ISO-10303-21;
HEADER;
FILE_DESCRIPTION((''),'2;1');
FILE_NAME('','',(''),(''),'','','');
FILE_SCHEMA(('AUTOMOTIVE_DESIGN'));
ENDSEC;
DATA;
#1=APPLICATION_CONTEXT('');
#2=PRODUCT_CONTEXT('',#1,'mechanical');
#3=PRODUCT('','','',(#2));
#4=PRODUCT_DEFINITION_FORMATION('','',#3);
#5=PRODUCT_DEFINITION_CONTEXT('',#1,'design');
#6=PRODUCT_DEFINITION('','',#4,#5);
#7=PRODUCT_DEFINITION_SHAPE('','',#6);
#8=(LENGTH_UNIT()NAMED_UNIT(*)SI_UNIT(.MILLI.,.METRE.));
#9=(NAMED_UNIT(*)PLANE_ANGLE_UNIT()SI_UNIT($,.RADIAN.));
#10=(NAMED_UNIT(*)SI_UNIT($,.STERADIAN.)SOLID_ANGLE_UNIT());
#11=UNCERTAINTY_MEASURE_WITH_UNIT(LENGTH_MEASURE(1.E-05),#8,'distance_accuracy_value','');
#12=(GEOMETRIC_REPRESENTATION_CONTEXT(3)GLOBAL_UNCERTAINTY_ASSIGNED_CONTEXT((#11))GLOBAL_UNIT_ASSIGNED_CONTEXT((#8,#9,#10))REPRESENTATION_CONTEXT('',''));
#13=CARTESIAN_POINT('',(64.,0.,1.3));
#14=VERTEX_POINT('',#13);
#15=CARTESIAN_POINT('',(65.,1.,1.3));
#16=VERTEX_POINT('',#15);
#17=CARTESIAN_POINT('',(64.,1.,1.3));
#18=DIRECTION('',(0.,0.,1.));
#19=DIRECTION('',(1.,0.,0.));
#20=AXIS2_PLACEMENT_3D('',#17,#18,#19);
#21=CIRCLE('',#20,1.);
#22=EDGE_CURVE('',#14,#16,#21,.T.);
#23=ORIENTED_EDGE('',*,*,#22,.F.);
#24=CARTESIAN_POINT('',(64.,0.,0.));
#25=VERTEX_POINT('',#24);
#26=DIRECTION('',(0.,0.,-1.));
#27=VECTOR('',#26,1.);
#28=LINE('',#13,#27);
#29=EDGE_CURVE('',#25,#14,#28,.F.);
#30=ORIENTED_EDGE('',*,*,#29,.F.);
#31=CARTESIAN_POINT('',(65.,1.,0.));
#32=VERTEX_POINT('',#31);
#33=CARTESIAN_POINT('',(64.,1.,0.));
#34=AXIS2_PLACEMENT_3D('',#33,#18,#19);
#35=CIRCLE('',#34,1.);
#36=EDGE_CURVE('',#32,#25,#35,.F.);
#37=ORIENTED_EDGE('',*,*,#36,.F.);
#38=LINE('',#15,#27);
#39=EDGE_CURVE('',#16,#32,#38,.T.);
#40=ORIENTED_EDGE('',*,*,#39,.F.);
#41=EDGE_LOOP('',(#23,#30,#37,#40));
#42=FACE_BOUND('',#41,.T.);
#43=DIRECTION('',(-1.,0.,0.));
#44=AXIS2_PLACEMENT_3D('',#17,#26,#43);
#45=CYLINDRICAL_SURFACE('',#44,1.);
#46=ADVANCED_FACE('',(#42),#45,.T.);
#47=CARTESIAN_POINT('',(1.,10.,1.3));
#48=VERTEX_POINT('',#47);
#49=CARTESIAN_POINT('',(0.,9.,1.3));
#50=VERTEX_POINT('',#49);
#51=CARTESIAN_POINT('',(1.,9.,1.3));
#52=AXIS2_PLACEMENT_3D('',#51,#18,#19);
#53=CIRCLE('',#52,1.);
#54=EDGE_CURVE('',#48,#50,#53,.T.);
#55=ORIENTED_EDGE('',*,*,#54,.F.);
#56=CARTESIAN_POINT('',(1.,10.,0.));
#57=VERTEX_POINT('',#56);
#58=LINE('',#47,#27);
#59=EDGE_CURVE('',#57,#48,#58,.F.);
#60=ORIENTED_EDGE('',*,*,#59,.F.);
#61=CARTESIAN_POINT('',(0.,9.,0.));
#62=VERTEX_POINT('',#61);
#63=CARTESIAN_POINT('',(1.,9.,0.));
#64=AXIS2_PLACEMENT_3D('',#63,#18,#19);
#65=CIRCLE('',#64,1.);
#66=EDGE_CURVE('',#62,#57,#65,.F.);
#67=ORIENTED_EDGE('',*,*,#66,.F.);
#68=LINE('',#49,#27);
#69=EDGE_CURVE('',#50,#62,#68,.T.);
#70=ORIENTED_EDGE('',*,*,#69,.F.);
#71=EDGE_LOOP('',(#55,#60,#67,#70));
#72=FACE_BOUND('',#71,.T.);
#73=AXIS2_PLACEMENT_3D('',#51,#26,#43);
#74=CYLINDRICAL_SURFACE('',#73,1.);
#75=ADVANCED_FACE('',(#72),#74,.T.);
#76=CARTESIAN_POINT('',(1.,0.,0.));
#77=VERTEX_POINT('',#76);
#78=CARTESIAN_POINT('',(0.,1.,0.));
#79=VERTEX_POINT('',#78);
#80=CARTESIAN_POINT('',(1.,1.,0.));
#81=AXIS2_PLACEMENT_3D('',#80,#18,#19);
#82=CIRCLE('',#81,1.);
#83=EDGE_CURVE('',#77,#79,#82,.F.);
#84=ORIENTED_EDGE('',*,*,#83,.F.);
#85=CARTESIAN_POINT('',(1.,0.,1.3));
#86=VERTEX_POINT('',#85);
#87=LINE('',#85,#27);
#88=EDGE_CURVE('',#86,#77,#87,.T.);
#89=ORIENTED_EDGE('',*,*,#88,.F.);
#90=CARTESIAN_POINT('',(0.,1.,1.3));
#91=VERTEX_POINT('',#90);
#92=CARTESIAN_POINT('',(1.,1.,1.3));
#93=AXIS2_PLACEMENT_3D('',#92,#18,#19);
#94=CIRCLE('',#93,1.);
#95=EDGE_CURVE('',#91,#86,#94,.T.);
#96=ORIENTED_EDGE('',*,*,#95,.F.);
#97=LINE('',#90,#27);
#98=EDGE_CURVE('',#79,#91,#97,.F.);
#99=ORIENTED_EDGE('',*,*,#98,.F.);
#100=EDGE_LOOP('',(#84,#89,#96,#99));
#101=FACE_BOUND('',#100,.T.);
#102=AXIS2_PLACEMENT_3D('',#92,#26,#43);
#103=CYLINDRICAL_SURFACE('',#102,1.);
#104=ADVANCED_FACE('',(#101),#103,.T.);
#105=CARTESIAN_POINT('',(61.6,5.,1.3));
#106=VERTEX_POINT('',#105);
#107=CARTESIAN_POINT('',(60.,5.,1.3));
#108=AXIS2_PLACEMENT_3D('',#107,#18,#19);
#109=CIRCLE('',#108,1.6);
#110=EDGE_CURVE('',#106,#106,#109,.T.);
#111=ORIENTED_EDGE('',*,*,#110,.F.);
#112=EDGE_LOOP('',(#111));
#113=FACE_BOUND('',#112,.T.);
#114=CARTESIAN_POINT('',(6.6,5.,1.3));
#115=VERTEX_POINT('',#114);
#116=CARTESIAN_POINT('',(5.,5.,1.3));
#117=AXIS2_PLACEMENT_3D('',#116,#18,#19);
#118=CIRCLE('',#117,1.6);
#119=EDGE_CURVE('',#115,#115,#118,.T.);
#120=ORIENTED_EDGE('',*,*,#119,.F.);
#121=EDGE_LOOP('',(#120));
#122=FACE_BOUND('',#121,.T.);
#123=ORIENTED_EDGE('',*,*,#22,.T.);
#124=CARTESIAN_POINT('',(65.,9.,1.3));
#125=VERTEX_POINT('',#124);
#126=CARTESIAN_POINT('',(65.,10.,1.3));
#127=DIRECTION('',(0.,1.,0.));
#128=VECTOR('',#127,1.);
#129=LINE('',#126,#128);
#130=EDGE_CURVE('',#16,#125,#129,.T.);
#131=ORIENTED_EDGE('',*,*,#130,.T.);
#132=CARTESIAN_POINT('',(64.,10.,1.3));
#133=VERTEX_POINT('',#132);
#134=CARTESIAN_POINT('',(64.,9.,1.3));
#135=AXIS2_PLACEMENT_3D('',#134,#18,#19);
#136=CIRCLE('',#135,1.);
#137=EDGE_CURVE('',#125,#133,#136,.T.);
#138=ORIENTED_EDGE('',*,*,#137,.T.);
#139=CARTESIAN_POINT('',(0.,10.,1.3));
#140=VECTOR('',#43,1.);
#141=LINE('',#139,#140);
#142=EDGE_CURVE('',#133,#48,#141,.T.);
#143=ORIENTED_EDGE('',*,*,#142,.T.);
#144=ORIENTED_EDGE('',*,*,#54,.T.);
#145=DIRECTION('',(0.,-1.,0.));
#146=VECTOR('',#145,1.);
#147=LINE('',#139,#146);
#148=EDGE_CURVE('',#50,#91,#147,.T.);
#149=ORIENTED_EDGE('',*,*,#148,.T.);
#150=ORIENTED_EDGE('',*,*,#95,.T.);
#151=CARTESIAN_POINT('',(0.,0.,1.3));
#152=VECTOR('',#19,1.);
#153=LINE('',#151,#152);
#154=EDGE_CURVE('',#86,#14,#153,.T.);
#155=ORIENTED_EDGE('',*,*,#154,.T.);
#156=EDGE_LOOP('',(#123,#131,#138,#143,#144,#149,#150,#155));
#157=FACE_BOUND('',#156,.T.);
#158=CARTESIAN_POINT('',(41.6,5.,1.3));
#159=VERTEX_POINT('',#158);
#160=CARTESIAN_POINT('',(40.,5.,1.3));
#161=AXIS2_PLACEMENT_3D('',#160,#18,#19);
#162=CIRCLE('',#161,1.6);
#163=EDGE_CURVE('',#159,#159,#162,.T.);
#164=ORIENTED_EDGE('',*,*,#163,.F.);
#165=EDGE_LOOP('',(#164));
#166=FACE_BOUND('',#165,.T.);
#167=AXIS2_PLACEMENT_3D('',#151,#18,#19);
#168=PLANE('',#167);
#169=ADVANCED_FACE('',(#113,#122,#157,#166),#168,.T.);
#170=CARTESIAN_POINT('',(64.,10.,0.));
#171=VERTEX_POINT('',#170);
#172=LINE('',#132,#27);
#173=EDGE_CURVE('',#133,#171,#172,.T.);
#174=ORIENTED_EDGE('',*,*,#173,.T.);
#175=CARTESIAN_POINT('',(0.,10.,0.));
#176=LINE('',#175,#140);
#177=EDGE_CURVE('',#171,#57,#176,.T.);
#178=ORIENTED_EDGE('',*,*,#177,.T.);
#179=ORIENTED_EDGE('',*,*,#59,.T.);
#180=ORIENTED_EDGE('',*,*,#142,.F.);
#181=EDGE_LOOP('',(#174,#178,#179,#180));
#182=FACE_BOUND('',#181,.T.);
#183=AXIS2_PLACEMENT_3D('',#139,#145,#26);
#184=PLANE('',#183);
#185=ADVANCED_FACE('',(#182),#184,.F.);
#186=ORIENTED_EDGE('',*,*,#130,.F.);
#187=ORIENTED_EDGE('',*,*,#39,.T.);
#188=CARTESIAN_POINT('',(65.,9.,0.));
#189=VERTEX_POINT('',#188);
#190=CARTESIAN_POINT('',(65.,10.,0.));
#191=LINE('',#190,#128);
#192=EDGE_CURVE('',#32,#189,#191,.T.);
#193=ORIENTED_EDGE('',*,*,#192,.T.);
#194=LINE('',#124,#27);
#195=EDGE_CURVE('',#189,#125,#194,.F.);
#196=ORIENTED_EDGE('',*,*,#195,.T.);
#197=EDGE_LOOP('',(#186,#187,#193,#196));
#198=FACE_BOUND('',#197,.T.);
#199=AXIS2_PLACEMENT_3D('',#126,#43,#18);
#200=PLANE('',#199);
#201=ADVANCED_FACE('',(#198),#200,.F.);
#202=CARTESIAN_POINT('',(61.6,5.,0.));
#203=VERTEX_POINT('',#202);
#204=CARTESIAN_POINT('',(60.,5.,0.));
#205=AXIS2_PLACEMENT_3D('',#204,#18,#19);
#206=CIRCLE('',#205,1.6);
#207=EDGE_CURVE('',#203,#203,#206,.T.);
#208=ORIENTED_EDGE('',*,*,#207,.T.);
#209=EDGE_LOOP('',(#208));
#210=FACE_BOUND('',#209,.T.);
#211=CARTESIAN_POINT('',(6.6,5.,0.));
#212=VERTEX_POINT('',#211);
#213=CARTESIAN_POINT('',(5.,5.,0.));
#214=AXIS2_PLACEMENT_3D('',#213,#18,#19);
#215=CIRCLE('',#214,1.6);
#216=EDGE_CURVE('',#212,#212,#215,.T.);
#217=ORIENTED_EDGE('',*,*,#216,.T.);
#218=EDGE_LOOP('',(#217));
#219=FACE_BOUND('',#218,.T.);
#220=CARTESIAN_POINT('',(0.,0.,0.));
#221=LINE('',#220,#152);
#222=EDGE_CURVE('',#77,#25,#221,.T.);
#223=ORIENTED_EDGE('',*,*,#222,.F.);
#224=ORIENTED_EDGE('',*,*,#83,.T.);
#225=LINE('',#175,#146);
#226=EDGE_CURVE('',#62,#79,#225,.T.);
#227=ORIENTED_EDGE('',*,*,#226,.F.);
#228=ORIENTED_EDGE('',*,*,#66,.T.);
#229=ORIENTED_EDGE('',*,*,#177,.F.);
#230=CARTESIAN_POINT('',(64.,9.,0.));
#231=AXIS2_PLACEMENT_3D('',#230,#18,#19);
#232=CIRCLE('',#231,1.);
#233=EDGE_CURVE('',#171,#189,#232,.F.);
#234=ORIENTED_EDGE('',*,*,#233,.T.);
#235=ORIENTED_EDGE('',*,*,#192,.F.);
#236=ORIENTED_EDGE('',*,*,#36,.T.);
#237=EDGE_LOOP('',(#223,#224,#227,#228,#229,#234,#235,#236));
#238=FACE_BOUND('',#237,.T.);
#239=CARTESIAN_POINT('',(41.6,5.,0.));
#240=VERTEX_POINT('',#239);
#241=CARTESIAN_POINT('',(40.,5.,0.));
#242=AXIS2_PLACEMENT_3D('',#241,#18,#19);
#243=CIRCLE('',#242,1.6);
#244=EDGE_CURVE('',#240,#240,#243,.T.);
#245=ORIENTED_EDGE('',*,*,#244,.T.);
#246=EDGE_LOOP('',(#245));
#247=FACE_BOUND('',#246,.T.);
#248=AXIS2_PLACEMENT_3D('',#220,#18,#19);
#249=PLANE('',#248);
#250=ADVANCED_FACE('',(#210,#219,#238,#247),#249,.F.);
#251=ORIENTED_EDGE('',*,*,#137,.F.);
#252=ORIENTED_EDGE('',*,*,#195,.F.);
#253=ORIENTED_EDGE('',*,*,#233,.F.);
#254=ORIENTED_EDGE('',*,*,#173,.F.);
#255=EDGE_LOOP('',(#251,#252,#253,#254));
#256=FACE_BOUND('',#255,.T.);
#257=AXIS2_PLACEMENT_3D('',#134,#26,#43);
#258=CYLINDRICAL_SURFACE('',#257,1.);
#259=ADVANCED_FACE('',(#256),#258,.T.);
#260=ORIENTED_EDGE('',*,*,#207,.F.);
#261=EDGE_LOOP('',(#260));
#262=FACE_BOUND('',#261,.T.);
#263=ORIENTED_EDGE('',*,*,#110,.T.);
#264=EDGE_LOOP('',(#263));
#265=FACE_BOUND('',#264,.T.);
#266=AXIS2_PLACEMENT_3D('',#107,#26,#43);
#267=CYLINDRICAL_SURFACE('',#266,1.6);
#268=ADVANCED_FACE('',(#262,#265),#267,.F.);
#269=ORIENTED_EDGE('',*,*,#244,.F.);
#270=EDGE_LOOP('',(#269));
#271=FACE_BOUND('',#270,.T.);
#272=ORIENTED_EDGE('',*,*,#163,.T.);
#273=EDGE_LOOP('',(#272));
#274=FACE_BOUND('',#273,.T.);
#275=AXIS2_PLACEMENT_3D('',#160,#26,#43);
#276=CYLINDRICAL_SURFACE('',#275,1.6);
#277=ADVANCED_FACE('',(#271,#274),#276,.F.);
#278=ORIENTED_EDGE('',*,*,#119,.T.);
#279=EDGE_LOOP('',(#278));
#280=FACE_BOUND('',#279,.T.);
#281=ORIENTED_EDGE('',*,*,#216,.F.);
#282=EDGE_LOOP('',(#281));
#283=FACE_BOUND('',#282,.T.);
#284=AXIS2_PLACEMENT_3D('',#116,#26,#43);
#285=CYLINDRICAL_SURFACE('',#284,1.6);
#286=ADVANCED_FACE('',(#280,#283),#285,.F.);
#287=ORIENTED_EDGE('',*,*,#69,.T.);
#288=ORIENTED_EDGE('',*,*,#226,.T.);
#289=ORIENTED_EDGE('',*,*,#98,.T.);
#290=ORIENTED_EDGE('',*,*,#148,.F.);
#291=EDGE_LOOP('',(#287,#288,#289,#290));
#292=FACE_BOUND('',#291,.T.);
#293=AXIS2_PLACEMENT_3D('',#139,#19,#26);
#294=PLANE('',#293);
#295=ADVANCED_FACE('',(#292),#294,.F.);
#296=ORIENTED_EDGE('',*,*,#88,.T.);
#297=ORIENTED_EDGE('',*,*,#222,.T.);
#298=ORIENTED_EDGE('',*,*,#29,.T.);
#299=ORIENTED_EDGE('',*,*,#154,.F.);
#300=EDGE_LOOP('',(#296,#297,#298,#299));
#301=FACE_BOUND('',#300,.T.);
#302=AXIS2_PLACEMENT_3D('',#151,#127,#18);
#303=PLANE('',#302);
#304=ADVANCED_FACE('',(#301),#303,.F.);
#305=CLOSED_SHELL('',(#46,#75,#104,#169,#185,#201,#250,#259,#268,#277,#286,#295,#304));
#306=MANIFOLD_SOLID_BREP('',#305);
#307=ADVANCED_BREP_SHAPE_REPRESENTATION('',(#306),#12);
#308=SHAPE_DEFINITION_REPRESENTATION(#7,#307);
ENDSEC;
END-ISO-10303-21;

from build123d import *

# Parameters (mm, degrees)
SKETCH_1_W      = 65
SKETCH_1_H      = 10
SKETCH_1_R      = 1.6
EXTRUDE_1_DEPTH = 1.3
FILLET_1_R      = 1


with BuildPart() as part:
    # 草图1 → 凸台-拉伸1 (new body)
    with BuildSketch(Plane.XY):
        with Locations((32.5, 5)):
            Rectangle(SKETCH_1_W, SKETCH_1_H)
        with Locations((60, 5)):
            Circle(SKETCH_1_R, mode=Mode.SUBTRACT)
        with Locations((40, 5)):
            Circle(SKETCH_1_R, mode=Mode.SUBTRACT)
        with Locations((5, 5)):
            Circle(SKETCH_1_R, mode=Mode.SUBTRACT)
    extrude(amount=EXTRUDE_1_DEPTH)

    # 圆角1
    fillet_1_edges = [part.edges().sort_by_distance(p)[0] for p in [
        (0, 10, 0.65),
        (65, 10, 0.65),
        (65, 0, 0.65),
        (0, 0, 0.65),
    ]]
    fillet(fillet_1_edges, radius=FILLET_1_R)


solid = part.part
